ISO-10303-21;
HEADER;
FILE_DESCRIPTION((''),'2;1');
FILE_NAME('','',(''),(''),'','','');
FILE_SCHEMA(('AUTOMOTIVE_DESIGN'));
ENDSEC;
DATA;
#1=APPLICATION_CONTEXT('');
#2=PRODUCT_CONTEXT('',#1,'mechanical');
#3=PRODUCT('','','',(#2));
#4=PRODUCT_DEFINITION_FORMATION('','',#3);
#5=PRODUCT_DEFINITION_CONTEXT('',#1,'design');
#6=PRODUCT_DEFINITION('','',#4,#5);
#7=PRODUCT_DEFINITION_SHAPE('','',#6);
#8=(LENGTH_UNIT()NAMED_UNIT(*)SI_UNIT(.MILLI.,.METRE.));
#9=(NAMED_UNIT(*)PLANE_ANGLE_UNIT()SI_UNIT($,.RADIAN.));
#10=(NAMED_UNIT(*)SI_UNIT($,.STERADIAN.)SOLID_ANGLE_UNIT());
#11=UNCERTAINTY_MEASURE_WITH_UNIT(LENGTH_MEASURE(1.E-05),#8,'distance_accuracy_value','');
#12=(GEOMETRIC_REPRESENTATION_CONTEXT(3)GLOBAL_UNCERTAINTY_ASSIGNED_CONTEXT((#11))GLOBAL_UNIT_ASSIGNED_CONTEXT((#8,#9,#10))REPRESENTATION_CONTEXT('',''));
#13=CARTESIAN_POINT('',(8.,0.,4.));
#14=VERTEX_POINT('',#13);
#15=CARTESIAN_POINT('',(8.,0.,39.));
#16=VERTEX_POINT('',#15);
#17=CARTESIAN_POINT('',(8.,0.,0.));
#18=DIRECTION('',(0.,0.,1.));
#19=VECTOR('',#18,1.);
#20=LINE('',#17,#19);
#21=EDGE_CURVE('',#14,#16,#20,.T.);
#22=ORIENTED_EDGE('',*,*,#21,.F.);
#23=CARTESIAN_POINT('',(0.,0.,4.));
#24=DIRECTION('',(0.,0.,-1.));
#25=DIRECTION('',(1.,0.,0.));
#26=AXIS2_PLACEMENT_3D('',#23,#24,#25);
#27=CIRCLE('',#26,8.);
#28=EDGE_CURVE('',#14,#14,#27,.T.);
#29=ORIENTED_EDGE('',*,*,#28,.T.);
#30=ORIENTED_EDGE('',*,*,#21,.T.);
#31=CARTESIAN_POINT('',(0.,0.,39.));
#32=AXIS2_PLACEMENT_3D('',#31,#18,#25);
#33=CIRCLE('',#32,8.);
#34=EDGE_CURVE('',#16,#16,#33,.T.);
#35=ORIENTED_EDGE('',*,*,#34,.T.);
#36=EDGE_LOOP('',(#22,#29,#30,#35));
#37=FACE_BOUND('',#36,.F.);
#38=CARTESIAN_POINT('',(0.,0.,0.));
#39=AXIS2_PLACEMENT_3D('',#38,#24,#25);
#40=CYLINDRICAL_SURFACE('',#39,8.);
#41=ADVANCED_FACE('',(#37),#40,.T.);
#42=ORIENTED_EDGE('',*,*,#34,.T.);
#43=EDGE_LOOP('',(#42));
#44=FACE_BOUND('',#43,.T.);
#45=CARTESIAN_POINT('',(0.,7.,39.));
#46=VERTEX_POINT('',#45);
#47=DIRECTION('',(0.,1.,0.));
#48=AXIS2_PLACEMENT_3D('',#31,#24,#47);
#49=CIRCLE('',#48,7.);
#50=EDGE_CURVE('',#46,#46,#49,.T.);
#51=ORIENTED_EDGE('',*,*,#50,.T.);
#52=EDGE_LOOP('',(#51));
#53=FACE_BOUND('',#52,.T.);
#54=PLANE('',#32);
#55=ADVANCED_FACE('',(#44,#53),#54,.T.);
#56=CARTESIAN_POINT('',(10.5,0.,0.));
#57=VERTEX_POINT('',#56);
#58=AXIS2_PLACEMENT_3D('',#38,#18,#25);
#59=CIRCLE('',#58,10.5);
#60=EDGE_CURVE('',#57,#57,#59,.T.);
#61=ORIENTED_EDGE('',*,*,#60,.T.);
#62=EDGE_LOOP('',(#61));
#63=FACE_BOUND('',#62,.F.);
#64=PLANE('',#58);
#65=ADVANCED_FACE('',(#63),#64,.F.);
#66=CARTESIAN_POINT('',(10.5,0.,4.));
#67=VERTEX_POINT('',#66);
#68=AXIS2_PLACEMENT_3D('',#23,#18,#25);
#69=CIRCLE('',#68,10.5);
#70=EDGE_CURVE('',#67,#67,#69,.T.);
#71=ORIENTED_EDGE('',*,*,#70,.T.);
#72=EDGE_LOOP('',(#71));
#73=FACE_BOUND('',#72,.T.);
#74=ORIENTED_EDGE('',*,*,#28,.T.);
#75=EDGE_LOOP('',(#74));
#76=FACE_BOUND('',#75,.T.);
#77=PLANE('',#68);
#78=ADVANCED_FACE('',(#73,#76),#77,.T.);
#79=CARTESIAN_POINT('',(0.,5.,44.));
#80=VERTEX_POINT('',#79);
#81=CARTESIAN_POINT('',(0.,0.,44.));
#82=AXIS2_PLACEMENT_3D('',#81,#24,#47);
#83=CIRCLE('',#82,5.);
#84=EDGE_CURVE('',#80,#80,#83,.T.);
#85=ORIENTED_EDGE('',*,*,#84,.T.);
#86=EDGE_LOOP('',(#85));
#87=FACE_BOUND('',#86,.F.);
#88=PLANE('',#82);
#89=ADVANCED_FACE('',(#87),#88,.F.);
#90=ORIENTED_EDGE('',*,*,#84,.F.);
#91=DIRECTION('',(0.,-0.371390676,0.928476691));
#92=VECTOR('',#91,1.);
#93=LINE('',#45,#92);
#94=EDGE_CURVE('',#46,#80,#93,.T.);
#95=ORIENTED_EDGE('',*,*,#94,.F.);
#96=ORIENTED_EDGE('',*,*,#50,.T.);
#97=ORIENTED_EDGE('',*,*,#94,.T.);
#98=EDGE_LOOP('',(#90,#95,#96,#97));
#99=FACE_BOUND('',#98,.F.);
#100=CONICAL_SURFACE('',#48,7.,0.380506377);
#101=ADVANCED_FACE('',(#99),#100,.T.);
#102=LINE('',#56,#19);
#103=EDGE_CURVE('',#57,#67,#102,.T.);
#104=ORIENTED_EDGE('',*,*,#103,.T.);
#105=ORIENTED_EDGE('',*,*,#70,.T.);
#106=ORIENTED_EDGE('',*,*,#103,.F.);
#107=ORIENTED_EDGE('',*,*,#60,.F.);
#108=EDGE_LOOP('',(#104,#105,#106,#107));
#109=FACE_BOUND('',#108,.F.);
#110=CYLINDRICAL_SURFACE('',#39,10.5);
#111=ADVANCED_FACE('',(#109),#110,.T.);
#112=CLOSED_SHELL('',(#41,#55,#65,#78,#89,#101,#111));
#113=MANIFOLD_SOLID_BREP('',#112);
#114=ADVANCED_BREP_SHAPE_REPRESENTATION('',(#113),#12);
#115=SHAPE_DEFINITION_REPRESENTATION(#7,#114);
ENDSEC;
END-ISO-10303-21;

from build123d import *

# Parameters (mm, degrees)
F0_R     = 10.5
F1_DEPTH = 4
F2_R     = 8
F3_DEPTH = 39


with BuildPart() as f1:
    # F0 (on Top) → F1 (new body)
    with BuildSketch(Plane.XY):
        Circle(F0_R)
    extrude(amount=F1_DEPTH)

    # F2 (on Top) → F3 (join)
    with BuildSketch(Plane.XY):
        Circle(F2_R)
    extrude(amount=F3_DEPTH)

    # F4 (on Right) → F5 (revolve)
    with BuildSketch(Plane.YZ):
        Polygon((5, 44), (0, 44), (0, 39), (7, 39), align=None)
    revolve(axis=Axis((0, 0, 41.5), (0, 0, -1)))


solid = f1.part
